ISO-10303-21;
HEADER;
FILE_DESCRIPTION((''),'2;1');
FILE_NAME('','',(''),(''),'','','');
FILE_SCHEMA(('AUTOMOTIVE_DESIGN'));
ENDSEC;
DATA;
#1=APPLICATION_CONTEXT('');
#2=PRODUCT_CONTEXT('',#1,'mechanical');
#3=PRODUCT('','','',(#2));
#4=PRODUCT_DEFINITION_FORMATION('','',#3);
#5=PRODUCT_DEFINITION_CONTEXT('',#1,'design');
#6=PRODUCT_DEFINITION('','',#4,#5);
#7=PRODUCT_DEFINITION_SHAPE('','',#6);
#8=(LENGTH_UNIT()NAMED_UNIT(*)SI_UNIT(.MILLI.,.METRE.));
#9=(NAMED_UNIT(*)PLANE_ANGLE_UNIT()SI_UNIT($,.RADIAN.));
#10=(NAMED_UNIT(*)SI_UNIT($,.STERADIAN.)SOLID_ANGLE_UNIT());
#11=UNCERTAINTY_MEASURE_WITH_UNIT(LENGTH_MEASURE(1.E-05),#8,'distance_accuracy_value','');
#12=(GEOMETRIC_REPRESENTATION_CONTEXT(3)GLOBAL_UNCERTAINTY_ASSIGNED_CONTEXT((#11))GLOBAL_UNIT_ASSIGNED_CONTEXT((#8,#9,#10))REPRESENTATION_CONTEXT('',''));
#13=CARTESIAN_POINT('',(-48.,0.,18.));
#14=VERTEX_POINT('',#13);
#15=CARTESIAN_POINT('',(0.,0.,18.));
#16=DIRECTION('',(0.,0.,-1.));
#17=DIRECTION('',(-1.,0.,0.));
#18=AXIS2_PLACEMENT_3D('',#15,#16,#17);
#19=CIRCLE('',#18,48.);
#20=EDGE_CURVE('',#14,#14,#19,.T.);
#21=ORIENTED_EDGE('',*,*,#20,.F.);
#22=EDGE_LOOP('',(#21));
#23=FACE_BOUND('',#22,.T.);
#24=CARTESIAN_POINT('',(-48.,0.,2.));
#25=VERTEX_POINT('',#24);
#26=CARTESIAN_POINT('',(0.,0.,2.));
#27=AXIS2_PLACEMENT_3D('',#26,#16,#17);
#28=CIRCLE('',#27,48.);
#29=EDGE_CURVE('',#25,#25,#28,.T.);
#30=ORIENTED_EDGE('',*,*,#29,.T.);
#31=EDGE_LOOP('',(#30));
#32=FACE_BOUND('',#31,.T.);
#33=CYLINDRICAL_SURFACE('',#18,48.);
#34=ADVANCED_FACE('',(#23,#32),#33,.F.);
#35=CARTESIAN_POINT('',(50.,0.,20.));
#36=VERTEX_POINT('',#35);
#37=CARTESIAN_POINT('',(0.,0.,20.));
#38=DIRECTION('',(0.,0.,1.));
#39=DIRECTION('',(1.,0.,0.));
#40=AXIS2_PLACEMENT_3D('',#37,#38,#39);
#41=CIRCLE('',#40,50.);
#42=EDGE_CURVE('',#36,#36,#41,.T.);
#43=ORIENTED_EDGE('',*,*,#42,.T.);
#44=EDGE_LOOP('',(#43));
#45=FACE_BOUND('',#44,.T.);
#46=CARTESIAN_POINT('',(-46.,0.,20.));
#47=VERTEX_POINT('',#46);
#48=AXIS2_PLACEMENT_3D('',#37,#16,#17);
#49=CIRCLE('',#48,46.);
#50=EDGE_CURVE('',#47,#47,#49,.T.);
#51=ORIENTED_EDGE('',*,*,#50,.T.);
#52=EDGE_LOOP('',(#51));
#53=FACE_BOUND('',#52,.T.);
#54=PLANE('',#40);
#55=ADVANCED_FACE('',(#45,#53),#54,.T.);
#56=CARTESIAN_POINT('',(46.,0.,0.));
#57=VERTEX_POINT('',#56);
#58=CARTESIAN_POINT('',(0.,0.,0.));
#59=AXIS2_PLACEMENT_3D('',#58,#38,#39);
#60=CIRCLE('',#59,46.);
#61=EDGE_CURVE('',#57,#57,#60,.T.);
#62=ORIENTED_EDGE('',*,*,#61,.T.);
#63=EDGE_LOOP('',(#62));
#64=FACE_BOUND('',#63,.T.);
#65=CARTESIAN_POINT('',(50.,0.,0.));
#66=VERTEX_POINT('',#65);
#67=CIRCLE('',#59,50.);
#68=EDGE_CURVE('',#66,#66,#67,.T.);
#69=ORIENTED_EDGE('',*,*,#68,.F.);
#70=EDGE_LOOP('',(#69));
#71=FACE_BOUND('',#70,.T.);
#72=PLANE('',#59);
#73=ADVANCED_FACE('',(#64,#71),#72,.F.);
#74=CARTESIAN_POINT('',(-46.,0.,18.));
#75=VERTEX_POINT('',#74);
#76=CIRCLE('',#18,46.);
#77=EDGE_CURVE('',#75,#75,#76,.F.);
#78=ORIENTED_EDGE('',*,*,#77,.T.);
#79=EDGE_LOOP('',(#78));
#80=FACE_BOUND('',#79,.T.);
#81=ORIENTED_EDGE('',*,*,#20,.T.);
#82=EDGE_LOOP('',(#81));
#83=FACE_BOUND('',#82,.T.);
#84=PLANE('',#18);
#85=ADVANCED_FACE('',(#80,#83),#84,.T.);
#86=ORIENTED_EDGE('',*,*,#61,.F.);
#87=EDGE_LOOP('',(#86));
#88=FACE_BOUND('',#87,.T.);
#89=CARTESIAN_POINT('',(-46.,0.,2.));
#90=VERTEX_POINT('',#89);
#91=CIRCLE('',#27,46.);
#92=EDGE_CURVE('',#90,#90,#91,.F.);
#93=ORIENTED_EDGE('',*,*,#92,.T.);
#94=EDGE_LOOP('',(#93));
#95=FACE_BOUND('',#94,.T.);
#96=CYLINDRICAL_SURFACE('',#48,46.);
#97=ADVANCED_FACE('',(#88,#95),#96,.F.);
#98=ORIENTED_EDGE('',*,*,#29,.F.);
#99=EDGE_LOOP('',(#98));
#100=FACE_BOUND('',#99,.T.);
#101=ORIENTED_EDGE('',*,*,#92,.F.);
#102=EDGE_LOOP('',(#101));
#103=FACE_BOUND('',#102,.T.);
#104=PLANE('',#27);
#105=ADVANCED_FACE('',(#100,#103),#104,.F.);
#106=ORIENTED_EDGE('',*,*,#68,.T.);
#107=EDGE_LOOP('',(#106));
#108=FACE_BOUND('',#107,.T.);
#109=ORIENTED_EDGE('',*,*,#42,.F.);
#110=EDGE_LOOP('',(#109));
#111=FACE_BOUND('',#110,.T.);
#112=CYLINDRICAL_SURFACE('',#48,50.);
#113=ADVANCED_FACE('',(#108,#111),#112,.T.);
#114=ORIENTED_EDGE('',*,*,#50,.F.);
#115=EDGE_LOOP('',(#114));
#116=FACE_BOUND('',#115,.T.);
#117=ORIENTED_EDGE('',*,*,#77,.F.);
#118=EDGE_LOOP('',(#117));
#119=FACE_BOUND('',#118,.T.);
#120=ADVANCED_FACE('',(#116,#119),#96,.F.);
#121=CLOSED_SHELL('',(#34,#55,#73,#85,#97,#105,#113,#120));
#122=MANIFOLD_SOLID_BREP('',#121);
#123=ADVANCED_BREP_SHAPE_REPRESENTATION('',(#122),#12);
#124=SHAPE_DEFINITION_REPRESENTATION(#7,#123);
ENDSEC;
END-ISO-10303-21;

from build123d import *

# Parameters (mm, degrees)
SKETCH1_R               = 50
BOSS_EXTRUDE1_DEPTH     = 20
CUT_EXTRUDE4_DEPTH      = 74.484692283
CUT_EXTRUDE4_DEPTH_BACK = 74.484692283
SKETCH3_R               = 46
SKETCH4_R               = 48
CUT_EXTRUDE5_DEPTH      = 8


with BuildPart() as part:
    # Sketch1 → Boss-Extrude1 (new body)
    with BuildSketch(Plane.XY):
        Circle(SKETCH1_R)
    extrude(amount=BOSS_EXTRUDE1_DEPTH)

    # Sketch3 → Cut-Extrude4 (cut, two sides: drawn at the far end of the back side and taken through both)
    with BuildSketch(Plane(origin=(0, 0, 0), x_dir=(-1, 0, 0), z_dir=(0, 0, -1)).offset(-CUT_EXTRUDE4_DEPTH_BACK)):
        Circle(SKETCH3_R)
    extrude(amount=CUT_EXTRUDE4_DEPTH + CUT_EXTRUDE4_DEPTH_BACK, mode=Mode.SUBTRACT)

    # Sketch4 → Cut-Extrude5 (cut, symmetric)
    with BuildSketch(Plane(origin=(0, 0, 10), x_dir=(-1, 0, 0), z_dir=(0, 0, -1))):
        Circle(SKETCH4_R)
    extrude(amount=CUT_EXTRUDE5_DEPTH, both=True, mode=Mode.SUBTRACT)


solid = part.part
